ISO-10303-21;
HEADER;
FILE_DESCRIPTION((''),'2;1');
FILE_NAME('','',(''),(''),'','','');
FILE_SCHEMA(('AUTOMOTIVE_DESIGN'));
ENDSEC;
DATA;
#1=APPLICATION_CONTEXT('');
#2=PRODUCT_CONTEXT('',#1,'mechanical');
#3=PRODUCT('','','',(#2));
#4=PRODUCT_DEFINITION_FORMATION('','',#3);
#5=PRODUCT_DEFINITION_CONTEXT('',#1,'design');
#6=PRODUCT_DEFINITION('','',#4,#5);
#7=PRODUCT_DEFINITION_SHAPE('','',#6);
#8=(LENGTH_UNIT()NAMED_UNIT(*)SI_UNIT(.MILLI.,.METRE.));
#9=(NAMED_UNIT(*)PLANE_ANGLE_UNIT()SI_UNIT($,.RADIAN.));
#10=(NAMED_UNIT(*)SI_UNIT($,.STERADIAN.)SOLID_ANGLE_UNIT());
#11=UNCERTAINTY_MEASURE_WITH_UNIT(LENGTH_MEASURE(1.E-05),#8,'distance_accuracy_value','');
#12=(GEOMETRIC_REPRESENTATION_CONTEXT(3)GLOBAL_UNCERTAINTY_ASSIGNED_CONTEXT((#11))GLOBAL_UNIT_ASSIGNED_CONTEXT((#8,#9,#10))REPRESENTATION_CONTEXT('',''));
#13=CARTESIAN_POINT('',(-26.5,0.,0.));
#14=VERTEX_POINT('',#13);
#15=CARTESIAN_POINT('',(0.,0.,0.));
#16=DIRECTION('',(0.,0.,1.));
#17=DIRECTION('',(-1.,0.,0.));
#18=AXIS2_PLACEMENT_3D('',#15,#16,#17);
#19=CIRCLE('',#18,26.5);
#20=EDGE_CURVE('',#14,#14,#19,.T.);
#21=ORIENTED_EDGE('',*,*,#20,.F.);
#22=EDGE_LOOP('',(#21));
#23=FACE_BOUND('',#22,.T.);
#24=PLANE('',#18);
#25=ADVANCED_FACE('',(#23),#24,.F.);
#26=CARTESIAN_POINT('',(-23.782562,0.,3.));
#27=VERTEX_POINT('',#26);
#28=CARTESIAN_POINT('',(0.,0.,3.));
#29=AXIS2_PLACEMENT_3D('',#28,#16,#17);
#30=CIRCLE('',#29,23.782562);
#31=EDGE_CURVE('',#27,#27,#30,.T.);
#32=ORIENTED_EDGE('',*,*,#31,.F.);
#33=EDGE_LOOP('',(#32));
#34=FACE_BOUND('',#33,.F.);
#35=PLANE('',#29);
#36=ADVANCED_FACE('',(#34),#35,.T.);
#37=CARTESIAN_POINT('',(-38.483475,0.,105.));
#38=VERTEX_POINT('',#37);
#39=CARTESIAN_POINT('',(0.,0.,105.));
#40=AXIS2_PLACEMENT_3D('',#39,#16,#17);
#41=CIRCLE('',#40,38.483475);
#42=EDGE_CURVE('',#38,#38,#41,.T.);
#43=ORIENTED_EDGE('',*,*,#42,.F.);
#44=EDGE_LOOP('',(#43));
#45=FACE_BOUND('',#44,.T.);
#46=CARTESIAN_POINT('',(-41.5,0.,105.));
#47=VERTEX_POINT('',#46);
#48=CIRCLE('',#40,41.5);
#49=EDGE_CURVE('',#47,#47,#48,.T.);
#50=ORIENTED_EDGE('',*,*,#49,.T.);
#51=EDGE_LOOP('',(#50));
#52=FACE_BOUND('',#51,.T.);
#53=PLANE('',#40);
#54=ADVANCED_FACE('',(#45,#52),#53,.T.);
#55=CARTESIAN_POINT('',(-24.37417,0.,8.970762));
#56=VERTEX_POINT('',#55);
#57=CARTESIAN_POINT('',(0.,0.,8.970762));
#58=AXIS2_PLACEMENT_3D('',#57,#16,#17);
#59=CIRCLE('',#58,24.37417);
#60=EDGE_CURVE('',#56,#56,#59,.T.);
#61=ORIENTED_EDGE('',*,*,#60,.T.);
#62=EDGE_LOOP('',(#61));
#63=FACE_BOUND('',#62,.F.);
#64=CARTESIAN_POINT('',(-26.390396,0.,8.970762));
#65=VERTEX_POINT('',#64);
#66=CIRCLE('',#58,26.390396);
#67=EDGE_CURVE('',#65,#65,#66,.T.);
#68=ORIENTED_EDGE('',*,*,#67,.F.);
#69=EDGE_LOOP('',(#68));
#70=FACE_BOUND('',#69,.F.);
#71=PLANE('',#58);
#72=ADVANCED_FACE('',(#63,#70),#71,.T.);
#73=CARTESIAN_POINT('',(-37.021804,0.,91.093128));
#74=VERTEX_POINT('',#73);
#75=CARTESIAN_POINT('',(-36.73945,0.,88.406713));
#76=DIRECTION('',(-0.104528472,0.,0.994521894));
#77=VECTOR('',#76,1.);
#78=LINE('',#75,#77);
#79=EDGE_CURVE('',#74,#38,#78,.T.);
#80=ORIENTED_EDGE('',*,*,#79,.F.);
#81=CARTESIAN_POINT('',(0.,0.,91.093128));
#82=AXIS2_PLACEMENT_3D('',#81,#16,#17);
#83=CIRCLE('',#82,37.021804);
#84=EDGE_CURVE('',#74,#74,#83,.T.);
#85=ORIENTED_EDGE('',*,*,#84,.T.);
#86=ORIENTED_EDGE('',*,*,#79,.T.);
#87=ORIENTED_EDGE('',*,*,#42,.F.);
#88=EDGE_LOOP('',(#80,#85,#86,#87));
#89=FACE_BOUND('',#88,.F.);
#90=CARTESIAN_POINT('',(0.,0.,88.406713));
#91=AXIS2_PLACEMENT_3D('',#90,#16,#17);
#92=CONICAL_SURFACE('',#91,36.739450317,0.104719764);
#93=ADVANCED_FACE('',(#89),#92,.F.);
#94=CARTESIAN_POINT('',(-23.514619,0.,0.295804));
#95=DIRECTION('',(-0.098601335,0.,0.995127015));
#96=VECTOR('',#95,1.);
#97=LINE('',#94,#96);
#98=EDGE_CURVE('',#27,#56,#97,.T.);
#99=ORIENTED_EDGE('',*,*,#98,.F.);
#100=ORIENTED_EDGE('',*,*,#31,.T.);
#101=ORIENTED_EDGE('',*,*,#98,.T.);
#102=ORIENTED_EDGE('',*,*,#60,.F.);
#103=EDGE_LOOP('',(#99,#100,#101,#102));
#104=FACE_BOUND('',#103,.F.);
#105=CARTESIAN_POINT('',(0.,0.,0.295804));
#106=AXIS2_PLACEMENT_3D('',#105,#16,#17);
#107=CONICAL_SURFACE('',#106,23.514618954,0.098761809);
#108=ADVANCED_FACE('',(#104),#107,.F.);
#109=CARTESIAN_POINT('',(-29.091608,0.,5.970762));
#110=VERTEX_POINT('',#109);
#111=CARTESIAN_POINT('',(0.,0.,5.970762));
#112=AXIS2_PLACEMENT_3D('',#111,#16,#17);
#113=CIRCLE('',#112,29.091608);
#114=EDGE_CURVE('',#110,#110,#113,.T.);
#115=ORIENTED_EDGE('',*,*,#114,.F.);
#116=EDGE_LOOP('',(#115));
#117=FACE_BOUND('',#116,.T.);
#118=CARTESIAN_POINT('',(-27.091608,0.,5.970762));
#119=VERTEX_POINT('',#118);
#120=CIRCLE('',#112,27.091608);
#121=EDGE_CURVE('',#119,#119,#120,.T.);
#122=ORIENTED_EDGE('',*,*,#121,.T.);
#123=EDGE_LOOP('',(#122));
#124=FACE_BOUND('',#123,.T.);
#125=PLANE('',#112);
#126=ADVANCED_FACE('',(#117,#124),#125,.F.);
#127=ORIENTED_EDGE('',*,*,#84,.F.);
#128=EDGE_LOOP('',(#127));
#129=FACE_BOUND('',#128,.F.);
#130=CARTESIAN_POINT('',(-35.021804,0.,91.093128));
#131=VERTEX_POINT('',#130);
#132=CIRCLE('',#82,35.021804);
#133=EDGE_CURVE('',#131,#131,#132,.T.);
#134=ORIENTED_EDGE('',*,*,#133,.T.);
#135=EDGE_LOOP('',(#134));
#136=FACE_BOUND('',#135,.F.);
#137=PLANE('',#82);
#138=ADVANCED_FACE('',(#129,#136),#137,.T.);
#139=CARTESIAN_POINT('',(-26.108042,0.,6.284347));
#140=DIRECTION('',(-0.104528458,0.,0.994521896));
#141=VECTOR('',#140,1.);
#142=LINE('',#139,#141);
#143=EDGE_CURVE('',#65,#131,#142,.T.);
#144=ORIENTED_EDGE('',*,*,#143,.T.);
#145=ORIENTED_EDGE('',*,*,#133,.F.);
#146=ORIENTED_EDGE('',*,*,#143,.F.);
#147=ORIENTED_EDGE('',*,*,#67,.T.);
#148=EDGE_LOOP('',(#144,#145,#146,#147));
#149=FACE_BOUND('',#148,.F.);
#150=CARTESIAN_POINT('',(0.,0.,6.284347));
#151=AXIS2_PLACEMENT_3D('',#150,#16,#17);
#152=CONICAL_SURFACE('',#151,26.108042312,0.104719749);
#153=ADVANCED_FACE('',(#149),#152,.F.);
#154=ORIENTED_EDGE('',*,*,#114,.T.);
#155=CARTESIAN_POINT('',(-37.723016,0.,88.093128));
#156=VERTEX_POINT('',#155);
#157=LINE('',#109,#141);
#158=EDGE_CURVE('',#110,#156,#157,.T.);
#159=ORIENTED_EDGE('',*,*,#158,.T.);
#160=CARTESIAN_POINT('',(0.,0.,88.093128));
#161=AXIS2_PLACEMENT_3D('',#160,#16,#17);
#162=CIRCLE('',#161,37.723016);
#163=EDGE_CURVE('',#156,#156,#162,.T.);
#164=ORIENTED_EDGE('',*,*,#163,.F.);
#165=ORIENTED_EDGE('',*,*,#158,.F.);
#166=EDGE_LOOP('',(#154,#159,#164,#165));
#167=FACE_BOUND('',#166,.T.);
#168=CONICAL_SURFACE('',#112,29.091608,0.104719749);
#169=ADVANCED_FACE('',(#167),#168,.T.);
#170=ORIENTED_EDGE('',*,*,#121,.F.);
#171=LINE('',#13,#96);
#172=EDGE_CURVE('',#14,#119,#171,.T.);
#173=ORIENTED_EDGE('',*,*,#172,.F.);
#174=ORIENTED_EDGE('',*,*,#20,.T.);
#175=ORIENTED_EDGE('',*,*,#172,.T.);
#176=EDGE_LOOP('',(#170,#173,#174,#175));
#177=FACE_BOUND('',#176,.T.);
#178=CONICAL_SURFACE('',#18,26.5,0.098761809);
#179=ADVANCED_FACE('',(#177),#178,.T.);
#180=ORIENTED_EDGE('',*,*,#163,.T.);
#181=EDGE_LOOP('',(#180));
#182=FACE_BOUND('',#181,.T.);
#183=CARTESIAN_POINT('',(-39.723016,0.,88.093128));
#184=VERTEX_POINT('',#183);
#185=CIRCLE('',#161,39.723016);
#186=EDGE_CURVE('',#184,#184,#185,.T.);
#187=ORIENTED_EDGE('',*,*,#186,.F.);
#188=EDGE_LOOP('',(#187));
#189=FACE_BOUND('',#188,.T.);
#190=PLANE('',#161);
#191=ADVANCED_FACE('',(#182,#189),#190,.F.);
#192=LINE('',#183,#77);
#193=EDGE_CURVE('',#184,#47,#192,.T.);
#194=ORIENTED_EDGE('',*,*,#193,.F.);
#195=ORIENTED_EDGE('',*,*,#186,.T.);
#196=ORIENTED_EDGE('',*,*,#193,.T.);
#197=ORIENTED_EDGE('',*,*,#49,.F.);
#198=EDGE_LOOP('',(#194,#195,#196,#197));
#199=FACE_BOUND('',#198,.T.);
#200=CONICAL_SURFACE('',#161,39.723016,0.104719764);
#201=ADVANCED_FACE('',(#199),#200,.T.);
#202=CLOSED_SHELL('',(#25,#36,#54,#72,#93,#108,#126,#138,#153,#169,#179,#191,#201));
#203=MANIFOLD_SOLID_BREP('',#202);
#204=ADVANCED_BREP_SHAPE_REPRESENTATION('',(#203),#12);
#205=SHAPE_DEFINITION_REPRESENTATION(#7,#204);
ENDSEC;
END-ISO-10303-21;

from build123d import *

# Parameters (mm, degrees)
THICKNESS_T = -3


with BuildPart() as part:
    # Sketch → Revolution (revolve)
    with BuildSketch(Plane.XZ):
        Polygon((0, 0), (-26.5, 0), (-27.091608, 5.970762), (-29.091608, 5.970762), (-37.723016, 88.093128), (-39.723016, 88.093128), (-41.5, 105), (0, 105), align=None)
    revolve(axis=Axis((0, 0, 0), (0, 0, 1)))

    # Thickness
    thickness_openings = [part.faces().sort_by_distance(p)[0] for p in [
        (0, 0, 105),
    ]]
    offset(amount=THICKNESS_T, openings=thickness_openings, kind=Kind.INTERSECTION)


solid = part.part
